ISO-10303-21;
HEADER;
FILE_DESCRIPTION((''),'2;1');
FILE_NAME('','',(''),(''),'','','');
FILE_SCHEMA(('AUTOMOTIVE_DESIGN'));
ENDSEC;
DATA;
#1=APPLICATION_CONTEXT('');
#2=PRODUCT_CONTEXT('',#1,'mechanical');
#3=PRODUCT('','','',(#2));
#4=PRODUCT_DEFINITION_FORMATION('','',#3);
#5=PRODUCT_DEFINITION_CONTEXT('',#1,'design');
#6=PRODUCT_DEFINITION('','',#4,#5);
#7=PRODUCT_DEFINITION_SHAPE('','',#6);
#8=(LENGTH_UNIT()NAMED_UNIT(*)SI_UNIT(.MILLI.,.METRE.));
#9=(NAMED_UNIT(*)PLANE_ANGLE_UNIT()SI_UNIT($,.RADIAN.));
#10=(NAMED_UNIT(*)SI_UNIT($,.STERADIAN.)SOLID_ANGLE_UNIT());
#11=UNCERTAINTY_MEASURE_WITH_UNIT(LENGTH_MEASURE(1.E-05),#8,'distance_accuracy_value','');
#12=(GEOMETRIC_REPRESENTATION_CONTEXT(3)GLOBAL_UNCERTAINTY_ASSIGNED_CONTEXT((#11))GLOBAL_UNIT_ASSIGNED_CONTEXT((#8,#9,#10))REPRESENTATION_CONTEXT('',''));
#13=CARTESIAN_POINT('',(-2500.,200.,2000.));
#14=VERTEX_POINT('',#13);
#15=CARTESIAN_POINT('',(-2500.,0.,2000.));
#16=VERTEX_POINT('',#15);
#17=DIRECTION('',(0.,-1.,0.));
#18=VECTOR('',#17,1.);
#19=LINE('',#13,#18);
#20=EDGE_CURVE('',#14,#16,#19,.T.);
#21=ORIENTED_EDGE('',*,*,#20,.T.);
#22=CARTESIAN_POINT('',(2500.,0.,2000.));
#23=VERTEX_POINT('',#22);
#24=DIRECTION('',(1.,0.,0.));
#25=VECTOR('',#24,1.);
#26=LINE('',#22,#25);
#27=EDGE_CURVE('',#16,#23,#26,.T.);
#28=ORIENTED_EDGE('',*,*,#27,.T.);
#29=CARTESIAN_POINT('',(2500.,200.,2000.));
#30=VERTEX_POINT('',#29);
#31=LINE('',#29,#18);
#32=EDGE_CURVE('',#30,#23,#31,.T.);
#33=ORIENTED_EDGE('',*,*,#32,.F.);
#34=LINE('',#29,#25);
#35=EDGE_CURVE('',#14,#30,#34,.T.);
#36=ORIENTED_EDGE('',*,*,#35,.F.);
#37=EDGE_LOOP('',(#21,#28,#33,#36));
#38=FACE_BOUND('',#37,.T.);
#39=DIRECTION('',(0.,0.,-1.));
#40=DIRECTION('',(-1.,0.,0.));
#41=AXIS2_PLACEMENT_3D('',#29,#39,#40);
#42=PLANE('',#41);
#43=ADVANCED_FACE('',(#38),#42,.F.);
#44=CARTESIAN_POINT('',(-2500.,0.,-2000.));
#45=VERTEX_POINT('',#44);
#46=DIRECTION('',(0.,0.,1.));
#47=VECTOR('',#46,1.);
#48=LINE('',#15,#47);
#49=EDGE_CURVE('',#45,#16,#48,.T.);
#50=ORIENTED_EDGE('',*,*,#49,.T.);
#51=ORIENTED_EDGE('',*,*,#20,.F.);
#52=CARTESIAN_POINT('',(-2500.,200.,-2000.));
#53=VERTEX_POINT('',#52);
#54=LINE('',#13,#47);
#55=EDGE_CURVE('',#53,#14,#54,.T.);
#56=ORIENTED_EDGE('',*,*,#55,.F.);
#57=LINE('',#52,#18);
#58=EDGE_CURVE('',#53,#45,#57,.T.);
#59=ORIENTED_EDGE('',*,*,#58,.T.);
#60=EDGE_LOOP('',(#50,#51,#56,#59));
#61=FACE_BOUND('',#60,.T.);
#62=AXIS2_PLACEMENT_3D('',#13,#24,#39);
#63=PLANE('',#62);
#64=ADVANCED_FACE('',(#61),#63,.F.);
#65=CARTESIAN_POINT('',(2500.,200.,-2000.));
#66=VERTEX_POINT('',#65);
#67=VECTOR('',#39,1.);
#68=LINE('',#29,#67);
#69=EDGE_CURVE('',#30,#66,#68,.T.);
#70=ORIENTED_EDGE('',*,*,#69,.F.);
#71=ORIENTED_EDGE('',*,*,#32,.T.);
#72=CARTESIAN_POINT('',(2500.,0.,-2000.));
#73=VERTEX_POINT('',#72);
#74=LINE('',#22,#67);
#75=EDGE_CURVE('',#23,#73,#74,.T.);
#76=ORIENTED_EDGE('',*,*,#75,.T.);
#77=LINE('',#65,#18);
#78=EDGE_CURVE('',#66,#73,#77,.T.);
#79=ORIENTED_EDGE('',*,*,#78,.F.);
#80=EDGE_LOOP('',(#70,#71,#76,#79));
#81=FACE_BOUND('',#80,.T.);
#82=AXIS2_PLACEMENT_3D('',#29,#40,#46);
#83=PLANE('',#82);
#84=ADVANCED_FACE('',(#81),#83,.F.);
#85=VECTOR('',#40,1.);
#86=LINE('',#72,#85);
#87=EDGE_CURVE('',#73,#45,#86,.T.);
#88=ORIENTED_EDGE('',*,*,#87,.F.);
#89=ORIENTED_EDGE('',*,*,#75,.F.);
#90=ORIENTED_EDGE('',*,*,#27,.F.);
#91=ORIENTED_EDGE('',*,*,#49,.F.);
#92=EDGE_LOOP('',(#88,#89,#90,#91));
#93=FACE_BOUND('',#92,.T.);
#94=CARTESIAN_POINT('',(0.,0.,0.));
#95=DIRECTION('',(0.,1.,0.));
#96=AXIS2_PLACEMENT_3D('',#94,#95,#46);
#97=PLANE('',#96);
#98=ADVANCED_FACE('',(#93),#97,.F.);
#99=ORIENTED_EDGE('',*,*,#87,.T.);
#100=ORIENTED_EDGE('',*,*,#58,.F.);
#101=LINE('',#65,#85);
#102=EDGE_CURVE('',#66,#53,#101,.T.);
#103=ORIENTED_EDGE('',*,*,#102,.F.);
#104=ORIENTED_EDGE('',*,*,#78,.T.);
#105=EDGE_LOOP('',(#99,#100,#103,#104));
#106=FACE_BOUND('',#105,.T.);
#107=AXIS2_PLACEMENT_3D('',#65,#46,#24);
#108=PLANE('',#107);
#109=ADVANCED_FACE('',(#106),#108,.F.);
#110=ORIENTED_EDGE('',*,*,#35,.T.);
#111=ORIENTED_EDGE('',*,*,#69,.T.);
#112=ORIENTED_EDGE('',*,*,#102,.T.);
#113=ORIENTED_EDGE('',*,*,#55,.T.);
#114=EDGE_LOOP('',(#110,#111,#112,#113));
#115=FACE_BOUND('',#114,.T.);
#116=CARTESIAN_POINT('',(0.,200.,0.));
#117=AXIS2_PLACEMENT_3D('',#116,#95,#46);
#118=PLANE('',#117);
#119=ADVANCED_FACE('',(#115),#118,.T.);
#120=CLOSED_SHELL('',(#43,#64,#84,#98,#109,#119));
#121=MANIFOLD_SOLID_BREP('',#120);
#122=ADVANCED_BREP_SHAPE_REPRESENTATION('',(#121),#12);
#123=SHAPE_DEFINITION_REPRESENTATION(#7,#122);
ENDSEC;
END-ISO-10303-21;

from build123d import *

# Parameters (mm, degrees)
SKETCH_1_W      = 5000
SKETCH_1_H      = 4000
EXTRUDE_1_DEPTH = 200


with BuildPart() as part:
    # Эскиз1 → Бобышка-Вытянуть1 (new body)
    with BuildSketch(Plane(origin=(0, 0, 0), x_dir=(1, 0, 0), z_dir=(0, 1, 0))):
        Rectangle(SKETCH_1_W, SKETCH_1_H)
    extrude(amount=EXTRUDE_1_DEPTH)


solid = part.part
